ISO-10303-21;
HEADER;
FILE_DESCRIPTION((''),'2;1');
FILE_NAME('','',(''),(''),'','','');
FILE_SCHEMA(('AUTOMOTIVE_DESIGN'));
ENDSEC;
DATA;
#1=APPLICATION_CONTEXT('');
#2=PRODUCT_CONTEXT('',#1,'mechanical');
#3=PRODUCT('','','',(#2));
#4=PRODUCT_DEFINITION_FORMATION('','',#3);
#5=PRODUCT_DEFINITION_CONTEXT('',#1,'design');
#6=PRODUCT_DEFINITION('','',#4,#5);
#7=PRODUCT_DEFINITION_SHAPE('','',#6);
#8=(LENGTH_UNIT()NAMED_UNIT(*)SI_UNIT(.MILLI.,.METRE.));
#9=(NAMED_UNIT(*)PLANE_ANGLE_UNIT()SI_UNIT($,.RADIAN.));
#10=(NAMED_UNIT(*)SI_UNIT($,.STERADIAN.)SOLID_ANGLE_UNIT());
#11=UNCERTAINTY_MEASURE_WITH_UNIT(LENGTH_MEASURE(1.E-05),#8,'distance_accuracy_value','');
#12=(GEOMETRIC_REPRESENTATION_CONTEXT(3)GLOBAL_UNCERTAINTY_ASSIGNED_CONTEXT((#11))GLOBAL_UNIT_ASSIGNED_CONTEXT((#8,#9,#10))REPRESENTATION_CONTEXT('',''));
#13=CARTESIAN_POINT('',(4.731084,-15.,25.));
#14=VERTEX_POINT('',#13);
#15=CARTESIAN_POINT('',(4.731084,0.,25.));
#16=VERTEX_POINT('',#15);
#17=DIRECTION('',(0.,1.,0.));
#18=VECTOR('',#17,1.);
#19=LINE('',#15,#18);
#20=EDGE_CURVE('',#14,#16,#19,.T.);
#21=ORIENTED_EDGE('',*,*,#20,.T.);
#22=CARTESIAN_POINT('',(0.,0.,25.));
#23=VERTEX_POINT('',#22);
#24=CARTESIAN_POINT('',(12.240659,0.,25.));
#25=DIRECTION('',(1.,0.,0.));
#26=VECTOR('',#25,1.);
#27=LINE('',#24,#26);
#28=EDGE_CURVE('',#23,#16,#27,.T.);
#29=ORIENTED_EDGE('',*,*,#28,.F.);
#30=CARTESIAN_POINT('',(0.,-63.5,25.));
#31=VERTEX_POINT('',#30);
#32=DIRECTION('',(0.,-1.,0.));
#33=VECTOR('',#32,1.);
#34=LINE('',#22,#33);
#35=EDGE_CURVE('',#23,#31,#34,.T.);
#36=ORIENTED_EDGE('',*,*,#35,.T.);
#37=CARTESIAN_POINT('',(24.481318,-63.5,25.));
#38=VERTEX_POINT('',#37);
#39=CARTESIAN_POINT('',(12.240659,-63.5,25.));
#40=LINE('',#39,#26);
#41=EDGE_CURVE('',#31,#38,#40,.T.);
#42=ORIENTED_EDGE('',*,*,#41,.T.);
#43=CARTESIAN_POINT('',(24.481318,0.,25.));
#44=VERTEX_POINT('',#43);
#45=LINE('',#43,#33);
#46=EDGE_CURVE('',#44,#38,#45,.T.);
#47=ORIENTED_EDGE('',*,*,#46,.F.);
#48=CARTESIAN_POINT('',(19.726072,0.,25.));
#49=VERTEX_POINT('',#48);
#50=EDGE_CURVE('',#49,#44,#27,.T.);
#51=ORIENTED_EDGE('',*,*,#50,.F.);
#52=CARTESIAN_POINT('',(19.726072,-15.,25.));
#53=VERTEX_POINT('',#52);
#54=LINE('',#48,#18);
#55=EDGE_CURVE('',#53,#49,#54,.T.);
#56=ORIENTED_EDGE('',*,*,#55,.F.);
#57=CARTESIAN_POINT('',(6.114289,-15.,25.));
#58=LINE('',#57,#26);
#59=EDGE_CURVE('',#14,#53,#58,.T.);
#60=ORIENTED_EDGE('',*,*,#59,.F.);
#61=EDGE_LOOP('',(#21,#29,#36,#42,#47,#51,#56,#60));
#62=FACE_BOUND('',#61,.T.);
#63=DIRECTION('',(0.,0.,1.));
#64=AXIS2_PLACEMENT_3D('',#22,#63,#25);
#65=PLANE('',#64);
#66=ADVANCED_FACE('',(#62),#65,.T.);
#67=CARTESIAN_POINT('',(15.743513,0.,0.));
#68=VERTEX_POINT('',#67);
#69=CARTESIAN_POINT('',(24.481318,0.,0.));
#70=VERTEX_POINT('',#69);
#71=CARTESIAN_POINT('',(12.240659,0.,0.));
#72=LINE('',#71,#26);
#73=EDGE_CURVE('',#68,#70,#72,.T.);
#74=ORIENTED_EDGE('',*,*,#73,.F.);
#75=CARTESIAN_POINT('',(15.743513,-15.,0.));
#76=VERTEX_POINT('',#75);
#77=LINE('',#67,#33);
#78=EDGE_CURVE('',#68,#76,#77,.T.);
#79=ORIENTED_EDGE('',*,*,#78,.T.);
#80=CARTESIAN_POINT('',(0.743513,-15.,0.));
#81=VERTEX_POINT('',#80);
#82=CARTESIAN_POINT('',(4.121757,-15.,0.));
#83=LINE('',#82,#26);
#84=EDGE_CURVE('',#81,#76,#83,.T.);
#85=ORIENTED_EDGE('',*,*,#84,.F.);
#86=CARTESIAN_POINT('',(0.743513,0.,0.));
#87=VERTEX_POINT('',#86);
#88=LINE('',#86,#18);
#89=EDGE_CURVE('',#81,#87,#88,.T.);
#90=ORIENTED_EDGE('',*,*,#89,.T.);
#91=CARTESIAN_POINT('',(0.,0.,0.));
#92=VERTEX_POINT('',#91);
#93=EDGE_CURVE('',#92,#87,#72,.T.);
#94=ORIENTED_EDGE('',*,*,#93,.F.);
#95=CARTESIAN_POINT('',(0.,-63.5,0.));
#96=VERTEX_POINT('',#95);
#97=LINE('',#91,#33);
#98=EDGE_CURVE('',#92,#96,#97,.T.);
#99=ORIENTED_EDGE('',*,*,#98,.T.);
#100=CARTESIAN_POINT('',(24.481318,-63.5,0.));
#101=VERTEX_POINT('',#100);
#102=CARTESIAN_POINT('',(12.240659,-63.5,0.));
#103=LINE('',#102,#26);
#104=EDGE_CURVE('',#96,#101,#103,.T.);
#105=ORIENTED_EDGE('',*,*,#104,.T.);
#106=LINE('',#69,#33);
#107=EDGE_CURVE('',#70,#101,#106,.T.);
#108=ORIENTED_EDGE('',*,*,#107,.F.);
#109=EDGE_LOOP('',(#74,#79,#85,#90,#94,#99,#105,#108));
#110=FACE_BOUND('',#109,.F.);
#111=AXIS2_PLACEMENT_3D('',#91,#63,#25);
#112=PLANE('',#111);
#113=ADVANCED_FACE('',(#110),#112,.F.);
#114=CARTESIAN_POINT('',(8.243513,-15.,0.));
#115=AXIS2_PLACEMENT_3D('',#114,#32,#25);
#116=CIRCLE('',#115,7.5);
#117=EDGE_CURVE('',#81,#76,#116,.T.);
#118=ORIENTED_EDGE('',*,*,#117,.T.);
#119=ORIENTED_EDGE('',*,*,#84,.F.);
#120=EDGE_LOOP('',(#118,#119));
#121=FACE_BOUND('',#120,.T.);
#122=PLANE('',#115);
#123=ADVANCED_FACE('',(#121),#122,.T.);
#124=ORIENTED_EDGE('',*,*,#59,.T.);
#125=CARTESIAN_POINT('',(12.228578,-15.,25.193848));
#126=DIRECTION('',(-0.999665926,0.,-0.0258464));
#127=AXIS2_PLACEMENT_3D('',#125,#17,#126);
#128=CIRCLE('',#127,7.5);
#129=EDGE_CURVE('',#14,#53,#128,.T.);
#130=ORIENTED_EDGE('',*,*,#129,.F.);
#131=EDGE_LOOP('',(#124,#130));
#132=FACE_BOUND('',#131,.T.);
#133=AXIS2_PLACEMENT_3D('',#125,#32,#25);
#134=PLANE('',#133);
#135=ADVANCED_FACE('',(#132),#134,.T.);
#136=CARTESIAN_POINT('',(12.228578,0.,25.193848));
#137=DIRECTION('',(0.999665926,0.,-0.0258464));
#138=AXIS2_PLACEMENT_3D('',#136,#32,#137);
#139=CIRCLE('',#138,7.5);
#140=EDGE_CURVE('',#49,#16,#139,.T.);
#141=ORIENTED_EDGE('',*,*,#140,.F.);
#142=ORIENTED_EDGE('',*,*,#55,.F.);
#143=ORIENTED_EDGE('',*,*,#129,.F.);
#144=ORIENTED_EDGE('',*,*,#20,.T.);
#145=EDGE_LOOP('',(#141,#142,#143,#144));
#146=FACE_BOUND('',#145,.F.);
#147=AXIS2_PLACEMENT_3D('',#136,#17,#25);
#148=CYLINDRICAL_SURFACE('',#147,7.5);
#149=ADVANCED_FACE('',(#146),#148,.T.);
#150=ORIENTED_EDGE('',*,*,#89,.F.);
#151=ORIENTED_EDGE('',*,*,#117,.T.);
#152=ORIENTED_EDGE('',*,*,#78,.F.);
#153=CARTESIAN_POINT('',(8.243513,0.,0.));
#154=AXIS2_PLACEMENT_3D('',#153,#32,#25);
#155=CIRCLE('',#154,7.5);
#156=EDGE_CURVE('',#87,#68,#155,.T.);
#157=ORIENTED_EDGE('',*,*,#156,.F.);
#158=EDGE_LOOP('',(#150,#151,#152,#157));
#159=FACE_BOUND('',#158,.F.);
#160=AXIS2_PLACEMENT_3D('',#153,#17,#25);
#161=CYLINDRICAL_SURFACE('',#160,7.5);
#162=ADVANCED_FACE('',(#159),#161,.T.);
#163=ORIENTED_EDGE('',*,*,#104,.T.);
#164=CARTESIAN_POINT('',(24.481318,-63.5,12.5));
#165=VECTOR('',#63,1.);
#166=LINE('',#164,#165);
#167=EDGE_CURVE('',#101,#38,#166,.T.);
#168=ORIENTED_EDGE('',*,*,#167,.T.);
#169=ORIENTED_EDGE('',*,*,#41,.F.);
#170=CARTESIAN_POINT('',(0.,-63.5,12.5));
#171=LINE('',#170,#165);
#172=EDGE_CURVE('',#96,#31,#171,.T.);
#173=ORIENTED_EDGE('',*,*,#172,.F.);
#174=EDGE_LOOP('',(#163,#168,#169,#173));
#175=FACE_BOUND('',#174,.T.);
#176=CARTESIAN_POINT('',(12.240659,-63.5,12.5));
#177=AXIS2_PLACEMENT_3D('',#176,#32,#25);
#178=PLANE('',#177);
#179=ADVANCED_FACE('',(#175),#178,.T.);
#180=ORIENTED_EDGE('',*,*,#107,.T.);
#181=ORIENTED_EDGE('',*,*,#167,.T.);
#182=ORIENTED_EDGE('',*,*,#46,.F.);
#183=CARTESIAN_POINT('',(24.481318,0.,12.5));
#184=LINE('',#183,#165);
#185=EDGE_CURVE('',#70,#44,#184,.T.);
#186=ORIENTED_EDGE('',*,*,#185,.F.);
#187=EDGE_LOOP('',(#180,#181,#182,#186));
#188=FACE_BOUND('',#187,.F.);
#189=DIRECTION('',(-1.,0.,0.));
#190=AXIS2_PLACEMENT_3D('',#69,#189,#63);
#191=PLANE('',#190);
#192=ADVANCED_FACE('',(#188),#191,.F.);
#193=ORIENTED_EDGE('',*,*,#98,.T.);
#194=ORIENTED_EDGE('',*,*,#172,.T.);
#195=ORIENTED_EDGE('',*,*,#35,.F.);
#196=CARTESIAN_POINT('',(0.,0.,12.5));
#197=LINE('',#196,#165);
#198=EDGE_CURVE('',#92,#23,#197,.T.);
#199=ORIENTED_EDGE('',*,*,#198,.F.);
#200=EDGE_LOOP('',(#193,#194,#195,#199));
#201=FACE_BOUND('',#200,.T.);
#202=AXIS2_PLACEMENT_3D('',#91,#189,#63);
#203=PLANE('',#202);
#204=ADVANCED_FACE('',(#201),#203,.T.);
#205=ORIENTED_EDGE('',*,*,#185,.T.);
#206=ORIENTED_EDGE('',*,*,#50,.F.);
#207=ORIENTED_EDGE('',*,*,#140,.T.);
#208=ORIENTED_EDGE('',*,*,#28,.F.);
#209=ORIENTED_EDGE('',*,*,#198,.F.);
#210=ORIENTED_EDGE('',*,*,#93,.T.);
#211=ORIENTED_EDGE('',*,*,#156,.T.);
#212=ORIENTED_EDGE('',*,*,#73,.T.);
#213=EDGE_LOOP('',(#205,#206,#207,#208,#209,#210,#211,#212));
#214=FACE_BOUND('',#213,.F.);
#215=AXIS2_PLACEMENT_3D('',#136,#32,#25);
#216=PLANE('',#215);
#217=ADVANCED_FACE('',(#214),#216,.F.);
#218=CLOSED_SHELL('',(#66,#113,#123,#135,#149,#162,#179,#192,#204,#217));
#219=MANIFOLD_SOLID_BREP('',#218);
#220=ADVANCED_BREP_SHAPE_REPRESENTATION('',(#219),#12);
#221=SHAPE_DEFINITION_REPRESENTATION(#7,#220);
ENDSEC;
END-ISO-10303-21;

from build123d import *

# Parameters (mm, degrees)
F0_W     = 24.481318
F0_H     = 25
F1_DEPTH = 63.5
F2_R     = 7.5
F3_DEPTH = 15
F4_R     = 7.5
F5_DEPTH = 15


with BuildPart() as f1:
    # F0 (on Front) → F1 (new body)
    with BuildSketch(Plane.XZ):
        with Locations((12.240659, 12.5)):
            Rectangle(F0_W, F0_H)
    extrude(amount=F1_DEPTH)

    # F2 (on Front) → F3 (join)
    with BuildSketch(Plane.XZ):
        with Locations((12.228578, 25.193848)):
            Circle(F2_R)
    extrude(amount=F3_DEPTH)

    # F4 (on Front) → F5 (join)
    with BuildSketch(Plane.XZ):
        with Locations((8.243513, 0)):
            Circle(F4_R)
    extrude(amount=F5_DEPTH)


solid = f1.part
